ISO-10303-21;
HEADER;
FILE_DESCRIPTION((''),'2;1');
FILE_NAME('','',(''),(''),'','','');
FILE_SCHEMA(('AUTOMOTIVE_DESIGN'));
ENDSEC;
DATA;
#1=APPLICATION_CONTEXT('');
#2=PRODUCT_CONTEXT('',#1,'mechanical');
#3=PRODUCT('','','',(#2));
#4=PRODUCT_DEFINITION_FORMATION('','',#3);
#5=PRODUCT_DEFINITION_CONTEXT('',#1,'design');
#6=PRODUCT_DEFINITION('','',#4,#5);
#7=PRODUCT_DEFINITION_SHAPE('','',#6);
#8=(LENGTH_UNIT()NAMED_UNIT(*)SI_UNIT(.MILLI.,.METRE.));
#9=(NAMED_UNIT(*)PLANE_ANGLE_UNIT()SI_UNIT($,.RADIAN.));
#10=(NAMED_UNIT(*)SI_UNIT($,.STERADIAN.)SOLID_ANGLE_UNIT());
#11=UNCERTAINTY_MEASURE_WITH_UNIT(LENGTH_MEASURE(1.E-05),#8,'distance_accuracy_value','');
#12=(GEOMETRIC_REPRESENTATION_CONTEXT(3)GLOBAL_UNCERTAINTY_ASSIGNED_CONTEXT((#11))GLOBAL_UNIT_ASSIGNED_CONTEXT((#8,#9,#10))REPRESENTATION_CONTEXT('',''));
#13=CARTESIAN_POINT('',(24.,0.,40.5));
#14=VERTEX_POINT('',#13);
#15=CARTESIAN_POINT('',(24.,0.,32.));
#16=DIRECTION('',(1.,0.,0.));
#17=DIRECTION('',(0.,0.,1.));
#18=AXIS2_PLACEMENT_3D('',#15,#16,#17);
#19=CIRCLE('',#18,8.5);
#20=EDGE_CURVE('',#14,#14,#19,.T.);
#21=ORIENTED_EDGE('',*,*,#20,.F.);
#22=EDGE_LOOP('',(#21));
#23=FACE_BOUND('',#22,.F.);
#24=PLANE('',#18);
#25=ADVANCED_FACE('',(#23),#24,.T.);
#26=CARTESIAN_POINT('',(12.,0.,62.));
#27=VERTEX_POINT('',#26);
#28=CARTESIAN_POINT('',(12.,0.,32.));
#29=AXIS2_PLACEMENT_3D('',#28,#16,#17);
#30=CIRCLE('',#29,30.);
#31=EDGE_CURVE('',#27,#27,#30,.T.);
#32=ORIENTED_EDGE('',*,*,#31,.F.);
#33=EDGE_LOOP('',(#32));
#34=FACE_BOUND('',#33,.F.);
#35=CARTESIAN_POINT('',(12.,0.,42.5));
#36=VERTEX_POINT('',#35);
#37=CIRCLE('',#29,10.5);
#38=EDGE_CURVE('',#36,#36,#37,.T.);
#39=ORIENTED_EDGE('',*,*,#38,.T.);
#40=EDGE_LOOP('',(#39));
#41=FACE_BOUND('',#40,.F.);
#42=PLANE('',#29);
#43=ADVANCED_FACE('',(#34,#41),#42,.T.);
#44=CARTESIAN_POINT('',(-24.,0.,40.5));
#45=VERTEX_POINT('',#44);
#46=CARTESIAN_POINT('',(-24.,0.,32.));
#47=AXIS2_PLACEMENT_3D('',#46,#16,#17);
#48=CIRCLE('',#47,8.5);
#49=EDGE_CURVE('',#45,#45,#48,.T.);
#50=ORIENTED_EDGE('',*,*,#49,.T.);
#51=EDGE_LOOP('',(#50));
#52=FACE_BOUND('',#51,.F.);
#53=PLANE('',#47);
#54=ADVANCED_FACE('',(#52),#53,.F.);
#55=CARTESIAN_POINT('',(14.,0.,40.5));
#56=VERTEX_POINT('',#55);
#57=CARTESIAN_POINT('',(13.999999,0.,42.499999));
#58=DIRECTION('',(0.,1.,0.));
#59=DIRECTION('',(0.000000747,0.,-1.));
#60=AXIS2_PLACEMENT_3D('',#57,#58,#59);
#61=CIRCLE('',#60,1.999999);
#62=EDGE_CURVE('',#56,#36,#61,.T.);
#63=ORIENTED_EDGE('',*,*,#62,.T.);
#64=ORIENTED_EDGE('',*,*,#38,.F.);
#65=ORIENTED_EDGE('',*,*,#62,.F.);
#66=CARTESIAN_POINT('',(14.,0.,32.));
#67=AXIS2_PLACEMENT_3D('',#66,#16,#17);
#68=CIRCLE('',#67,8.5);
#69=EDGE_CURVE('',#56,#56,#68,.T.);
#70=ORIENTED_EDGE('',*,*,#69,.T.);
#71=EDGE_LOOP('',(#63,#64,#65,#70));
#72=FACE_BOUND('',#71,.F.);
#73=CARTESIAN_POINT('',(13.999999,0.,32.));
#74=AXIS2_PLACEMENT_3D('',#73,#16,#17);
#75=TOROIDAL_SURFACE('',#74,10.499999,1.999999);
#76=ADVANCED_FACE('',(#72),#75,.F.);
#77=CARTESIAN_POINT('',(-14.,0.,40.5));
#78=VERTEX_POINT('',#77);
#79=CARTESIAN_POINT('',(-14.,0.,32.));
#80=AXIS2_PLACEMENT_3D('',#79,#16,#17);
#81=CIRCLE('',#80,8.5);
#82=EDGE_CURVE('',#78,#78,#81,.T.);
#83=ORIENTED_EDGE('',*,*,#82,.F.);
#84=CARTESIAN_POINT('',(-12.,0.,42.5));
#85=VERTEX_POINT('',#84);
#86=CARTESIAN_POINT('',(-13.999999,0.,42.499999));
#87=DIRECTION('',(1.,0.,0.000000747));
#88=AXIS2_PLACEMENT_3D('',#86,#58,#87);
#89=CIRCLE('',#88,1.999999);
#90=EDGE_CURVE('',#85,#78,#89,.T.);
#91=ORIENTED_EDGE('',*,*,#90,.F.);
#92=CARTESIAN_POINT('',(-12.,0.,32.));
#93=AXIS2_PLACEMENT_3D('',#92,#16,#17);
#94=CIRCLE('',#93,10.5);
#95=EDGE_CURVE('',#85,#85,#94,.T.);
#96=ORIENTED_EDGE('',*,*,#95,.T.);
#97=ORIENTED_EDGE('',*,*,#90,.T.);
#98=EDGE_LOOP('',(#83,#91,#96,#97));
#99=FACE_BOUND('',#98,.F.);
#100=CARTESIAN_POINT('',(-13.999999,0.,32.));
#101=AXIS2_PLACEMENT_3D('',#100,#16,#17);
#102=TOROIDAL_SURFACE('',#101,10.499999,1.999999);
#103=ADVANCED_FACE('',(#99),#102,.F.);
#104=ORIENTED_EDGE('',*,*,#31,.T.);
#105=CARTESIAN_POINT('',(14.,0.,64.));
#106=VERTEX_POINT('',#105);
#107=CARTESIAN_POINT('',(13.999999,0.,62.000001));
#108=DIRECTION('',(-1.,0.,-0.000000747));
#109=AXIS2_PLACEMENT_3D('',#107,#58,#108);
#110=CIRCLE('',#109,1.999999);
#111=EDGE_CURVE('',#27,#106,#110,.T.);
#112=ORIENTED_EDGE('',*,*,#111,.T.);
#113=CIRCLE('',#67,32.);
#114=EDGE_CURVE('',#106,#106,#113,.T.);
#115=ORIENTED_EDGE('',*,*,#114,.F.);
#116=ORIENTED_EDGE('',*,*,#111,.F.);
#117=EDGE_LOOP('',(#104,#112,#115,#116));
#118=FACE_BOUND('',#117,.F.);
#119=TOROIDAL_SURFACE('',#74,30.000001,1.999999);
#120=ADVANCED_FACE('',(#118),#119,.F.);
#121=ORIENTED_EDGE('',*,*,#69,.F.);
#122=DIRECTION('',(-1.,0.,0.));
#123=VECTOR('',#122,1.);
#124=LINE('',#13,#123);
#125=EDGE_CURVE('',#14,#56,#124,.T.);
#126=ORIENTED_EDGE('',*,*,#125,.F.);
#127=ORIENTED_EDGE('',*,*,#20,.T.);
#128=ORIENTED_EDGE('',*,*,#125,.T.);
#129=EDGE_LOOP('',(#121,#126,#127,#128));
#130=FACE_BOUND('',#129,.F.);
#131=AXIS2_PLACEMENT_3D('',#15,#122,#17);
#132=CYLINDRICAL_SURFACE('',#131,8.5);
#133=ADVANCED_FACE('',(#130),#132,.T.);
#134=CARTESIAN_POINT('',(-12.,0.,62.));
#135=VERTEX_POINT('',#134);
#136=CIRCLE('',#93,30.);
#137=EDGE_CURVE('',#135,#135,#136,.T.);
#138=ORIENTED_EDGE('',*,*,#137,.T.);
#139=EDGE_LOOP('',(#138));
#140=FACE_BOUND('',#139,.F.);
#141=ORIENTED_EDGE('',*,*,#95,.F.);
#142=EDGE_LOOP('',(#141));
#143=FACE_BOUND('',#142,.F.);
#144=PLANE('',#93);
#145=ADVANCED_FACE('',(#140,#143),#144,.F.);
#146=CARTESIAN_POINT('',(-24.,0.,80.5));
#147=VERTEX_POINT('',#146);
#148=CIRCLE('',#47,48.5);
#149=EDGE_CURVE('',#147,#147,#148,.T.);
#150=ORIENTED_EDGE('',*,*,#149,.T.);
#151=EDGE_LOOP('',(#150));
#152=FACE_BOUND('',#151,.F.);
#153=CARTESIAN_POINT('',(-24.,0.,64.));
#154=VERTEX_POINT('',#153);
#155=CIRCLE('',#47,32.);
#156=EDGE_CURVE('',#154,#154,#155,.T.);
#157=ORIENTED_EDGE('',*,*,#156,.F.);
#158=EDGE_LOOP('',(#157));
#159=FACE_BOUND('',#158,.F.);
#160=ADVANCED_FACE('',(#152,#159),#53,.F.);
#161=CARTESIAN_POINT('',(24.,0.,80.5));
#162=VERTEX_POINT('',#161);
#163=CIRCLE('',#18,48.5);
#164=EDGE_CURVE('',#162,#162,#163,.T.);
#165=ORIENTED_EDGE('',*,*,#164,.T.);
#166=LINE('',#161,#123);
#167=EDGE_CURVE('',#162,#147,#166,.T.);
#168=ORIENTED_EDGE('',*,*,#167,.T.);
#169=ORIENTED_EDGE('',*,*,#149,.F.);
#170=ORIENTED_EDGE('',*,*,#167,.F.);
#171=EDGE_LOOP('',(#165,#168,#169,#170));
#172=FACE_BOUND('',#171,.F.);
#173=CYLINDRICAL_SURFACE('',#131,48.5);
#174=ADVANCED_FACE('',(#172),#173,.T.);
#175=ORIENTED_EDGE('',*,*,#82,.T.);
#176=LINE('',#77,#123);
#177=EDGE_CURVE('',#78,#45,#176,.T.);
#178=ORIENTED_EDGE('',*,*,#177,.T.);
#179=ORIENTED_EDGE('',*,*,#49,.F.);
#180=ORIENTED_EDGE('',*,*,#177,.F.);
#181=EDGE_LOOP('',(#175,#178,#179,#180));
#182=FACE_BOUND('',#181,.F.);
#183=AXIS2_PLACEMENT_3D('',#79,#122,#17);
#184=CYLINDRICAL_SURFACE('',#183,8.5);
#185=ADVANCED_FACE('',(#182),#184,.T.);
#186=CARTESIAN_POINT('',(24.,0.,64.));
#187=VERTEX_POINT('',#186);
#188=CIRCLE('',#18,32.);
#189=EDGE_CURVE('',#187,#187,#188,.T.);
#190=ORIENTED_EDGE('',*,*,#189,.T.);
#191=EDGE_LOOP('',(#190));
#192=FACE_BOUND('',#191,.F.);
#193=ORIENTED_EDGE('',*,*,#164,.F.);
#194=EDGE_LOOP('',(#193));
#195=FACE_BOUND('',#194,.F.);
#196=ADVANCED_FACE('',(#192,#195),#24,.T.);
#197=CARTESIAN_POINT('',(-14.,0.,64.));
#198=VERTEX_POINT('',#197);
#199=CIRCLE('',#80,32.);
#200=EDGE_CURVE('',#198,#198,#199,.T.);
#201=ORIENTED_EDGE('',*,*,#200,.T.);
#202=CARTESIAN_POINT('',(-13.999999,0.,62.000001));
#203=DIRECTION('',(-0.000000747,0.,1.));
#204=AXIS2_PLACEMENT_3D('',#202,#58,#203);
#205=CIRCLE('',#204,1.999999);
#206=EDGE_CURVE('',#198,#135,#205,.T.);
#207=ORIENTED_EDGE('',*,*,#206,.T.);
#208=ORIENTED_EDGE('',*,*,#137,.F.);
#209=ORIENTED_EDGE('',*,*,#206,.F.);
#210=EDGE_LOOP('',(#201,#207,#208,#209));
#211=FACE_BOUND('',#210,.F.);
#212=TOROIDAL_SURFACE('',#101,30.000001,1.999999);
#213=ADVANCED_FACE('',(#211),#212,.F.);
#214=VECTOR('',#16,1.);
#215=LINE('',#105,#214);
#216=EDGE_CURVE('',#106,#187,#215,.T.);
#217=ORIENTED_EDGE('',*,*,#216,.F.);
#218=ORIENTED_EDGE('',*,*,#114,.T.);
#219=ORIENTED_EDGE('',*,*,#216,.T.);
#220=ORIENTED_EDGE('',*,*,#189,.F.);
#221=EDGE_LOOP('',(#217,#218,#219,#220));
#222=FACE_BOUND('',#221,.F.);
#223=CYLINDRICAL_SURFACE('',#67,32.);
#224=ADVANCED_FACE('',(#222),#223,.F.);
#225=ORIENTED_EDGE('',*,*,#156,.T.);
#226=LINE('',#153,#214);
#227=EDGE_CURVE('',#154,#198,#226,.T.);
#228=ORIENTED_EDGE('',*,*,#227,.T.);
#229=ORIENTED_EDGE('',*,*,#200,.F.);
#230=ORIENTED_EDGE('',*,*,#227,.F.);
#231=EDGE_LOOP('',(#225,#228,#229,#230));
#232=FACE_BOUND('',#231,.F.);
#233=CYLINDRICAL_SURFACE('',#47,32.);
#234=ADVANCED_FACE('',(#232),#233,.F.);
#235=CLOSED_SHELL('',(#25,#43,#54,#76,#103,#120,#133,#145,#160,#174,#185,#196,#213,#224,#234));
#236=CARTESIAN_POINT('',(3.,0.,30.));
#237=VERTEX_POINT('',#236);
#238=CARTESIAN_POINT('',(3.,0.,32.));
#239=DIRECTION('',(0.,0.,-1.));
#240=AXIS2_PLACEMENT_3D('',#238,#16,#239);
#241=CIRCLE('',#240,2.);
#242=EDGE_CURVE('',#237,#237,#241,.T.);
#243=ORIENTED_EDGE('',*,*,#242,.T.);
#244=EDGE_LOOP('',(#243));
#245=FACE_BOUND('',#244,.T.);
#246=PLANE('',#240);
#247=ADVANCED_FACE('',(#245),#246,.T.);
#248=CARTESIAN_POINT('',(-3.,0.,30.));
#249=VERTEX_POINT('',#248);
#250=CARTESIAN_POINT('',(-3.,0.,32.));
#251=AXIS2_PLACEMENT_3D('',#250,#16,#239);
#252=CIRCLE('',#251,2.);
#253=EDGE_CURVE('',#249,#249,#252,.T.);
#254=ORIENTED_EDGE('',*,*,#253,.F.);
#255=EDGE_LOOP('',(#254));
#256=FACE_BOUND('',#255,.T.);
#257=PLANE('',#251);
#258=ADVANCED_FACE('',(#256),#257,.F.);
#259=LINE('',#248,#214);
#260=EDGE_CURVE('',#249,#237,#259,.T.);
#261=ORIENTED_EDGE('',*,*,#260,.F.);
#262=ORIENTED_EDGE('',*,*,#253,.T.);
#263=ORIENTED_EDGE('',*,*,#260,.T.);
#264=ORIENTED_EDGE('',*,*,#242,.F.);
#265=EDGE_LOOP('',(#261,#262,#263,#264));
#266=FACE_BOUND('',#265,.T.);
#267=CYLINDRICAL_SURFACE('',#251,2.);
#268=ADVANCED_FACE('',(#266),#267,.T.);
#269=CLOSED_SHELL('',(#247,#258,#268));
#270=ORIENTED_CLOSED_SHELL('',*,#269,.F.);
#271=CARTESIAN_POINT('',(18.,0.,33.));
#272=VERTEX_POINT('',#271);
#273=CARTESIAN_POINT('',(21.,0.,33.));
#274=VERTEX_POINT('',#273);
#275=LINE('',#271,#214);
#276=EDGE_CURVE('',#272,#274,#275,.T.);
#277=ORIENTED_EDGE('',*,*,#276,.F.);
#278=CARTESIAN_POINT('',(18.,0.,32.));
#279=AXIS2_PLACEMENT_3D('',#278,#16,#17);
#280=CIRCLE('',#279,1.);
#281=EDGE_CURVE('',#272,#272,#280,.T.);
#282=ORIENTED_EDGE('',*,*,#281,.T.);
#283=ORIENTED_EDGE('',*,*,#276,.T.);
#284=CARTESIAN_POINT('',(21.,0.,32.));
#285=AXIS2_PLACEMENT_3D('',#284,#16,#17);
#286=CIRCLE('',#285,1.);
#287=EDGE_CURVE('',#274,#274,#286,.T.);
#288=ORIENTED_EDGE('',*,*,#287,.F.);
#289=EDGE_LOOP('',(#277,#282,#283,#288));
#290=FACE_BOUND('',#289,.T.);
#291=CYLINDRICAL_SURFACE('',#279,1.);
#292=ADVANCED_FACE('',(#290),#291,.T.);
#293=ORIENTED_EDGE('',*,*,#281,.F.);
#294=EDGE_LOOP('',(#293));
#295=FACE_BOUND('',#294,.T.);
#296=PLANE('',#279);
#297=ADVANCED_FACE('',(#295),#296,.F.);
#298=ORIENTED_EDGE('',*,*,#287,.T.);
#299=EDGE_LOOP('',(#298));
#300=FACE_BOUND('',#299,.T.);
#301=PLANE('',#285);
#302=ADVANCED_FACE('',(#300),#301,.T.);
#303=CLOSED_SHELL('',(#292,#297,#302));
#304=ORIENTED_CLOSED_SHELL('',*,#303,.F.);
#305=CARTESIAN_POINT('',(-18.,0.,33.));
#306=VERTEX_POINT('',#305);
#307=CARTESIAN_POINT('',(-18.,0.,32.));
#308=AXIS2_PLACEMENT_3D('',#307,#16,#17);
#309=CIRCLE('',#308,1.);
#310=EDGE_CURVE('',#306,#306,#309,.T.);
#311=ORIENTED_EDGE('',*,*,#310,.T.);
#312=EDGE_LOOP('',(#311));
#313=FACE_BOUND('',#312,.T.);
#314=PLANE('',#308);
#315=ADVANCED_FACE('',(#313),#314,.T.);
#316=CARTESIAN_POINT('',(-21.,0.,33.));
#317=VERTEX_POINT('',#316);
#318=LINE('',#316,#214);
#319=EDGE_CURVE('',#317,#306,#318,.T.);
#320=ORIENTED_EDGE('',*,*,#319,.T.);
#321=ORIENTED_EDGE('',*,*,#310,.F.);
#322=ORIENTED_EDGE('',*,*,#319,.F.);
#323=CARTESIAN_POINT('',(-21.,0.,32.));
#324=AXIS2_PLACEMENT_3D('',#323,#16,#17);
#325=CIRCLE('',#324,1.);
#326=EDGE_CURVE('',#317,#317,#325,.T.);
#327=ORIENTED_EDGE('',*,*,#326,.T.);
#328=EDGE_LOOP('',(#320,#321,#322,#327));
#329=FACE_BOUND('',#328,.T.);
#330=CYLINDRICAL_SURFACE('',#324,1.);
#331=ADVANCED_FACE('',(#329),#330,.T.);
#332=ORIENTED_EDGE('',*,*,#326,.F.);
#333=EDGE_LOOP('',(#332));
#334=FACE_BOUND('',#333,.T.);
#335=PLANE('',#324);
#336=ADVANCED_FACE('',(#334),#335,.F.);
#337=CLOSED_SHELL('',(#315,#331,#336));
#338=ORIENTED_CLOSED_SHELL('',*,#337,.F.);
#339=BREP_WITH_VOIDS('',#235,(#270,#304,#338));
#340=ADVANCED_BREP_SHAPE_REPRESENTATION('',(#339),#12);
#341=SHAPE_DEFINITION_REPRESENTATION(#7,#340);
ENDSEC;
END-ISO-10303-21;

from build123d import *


with BuildPart() as f1:
    # F0 (on Front) → F1 (revolve)
    with BuildSketch(Plane.XZ):
        with BuildLine():
            Line((-3, 32), (-3, 30))
            Line((-3, 30), (0, 30))
            Line((0, 30), (3, 30))
            Line((3, 30), (3, 32))
            Line((3, 32), (18, 32))
            Line((18, 32), (18, 33))
            Line((18, 33), (21, 33))
            Line((21, 33), (21, 32))
            Line((21, 32), (24, 32))
            Line((24, 32), (24, 40.5))
            Line((24, 40.5), (14, 40.5))
            ThreePointArc((14, 40.5), (12.585786, 41.085786), (12, 42.5))
            Line((12, 42.5), (12, 62))
            ThreePointArc((12, 62), (12.585786, 63.414214), (14, 64))
            Line((14, 64), (24, 64))
            Line((24, 64), (24, 80.5))
            Line((24, 80.5), (0, 80.5))
            Line((0, 80.5), (-24, 80.5))
            Line((-24, 80.5), (-24, 64))
            Line((-24, 64), (-14, 64))
            ThreePointArc((-14, 64), (-12.585786, 63.414214), (-12, 62))
            Line((-12, 62), (-12, 42.5))
            ThreePointArc((-12, 42.5), (-12.585786, 41.085786), (-14, 40.5))
            Line((-14, 40.5), (-24, 40.5))
            Line((-24, 40.5), (-24, 32))
            Line((-24, 32), (-21, 32))
            Line((-21, 32), (-21, 33))
            Line((-21, 33), (-18, 33))
            Line((-18, 33), (-18, 32))
            Line((-18, 32), (-3, 32))
        make_face()
    revolve(axis=Axis((10.5, 0, 32), (1, 0, 0)))


solid = f1.part
